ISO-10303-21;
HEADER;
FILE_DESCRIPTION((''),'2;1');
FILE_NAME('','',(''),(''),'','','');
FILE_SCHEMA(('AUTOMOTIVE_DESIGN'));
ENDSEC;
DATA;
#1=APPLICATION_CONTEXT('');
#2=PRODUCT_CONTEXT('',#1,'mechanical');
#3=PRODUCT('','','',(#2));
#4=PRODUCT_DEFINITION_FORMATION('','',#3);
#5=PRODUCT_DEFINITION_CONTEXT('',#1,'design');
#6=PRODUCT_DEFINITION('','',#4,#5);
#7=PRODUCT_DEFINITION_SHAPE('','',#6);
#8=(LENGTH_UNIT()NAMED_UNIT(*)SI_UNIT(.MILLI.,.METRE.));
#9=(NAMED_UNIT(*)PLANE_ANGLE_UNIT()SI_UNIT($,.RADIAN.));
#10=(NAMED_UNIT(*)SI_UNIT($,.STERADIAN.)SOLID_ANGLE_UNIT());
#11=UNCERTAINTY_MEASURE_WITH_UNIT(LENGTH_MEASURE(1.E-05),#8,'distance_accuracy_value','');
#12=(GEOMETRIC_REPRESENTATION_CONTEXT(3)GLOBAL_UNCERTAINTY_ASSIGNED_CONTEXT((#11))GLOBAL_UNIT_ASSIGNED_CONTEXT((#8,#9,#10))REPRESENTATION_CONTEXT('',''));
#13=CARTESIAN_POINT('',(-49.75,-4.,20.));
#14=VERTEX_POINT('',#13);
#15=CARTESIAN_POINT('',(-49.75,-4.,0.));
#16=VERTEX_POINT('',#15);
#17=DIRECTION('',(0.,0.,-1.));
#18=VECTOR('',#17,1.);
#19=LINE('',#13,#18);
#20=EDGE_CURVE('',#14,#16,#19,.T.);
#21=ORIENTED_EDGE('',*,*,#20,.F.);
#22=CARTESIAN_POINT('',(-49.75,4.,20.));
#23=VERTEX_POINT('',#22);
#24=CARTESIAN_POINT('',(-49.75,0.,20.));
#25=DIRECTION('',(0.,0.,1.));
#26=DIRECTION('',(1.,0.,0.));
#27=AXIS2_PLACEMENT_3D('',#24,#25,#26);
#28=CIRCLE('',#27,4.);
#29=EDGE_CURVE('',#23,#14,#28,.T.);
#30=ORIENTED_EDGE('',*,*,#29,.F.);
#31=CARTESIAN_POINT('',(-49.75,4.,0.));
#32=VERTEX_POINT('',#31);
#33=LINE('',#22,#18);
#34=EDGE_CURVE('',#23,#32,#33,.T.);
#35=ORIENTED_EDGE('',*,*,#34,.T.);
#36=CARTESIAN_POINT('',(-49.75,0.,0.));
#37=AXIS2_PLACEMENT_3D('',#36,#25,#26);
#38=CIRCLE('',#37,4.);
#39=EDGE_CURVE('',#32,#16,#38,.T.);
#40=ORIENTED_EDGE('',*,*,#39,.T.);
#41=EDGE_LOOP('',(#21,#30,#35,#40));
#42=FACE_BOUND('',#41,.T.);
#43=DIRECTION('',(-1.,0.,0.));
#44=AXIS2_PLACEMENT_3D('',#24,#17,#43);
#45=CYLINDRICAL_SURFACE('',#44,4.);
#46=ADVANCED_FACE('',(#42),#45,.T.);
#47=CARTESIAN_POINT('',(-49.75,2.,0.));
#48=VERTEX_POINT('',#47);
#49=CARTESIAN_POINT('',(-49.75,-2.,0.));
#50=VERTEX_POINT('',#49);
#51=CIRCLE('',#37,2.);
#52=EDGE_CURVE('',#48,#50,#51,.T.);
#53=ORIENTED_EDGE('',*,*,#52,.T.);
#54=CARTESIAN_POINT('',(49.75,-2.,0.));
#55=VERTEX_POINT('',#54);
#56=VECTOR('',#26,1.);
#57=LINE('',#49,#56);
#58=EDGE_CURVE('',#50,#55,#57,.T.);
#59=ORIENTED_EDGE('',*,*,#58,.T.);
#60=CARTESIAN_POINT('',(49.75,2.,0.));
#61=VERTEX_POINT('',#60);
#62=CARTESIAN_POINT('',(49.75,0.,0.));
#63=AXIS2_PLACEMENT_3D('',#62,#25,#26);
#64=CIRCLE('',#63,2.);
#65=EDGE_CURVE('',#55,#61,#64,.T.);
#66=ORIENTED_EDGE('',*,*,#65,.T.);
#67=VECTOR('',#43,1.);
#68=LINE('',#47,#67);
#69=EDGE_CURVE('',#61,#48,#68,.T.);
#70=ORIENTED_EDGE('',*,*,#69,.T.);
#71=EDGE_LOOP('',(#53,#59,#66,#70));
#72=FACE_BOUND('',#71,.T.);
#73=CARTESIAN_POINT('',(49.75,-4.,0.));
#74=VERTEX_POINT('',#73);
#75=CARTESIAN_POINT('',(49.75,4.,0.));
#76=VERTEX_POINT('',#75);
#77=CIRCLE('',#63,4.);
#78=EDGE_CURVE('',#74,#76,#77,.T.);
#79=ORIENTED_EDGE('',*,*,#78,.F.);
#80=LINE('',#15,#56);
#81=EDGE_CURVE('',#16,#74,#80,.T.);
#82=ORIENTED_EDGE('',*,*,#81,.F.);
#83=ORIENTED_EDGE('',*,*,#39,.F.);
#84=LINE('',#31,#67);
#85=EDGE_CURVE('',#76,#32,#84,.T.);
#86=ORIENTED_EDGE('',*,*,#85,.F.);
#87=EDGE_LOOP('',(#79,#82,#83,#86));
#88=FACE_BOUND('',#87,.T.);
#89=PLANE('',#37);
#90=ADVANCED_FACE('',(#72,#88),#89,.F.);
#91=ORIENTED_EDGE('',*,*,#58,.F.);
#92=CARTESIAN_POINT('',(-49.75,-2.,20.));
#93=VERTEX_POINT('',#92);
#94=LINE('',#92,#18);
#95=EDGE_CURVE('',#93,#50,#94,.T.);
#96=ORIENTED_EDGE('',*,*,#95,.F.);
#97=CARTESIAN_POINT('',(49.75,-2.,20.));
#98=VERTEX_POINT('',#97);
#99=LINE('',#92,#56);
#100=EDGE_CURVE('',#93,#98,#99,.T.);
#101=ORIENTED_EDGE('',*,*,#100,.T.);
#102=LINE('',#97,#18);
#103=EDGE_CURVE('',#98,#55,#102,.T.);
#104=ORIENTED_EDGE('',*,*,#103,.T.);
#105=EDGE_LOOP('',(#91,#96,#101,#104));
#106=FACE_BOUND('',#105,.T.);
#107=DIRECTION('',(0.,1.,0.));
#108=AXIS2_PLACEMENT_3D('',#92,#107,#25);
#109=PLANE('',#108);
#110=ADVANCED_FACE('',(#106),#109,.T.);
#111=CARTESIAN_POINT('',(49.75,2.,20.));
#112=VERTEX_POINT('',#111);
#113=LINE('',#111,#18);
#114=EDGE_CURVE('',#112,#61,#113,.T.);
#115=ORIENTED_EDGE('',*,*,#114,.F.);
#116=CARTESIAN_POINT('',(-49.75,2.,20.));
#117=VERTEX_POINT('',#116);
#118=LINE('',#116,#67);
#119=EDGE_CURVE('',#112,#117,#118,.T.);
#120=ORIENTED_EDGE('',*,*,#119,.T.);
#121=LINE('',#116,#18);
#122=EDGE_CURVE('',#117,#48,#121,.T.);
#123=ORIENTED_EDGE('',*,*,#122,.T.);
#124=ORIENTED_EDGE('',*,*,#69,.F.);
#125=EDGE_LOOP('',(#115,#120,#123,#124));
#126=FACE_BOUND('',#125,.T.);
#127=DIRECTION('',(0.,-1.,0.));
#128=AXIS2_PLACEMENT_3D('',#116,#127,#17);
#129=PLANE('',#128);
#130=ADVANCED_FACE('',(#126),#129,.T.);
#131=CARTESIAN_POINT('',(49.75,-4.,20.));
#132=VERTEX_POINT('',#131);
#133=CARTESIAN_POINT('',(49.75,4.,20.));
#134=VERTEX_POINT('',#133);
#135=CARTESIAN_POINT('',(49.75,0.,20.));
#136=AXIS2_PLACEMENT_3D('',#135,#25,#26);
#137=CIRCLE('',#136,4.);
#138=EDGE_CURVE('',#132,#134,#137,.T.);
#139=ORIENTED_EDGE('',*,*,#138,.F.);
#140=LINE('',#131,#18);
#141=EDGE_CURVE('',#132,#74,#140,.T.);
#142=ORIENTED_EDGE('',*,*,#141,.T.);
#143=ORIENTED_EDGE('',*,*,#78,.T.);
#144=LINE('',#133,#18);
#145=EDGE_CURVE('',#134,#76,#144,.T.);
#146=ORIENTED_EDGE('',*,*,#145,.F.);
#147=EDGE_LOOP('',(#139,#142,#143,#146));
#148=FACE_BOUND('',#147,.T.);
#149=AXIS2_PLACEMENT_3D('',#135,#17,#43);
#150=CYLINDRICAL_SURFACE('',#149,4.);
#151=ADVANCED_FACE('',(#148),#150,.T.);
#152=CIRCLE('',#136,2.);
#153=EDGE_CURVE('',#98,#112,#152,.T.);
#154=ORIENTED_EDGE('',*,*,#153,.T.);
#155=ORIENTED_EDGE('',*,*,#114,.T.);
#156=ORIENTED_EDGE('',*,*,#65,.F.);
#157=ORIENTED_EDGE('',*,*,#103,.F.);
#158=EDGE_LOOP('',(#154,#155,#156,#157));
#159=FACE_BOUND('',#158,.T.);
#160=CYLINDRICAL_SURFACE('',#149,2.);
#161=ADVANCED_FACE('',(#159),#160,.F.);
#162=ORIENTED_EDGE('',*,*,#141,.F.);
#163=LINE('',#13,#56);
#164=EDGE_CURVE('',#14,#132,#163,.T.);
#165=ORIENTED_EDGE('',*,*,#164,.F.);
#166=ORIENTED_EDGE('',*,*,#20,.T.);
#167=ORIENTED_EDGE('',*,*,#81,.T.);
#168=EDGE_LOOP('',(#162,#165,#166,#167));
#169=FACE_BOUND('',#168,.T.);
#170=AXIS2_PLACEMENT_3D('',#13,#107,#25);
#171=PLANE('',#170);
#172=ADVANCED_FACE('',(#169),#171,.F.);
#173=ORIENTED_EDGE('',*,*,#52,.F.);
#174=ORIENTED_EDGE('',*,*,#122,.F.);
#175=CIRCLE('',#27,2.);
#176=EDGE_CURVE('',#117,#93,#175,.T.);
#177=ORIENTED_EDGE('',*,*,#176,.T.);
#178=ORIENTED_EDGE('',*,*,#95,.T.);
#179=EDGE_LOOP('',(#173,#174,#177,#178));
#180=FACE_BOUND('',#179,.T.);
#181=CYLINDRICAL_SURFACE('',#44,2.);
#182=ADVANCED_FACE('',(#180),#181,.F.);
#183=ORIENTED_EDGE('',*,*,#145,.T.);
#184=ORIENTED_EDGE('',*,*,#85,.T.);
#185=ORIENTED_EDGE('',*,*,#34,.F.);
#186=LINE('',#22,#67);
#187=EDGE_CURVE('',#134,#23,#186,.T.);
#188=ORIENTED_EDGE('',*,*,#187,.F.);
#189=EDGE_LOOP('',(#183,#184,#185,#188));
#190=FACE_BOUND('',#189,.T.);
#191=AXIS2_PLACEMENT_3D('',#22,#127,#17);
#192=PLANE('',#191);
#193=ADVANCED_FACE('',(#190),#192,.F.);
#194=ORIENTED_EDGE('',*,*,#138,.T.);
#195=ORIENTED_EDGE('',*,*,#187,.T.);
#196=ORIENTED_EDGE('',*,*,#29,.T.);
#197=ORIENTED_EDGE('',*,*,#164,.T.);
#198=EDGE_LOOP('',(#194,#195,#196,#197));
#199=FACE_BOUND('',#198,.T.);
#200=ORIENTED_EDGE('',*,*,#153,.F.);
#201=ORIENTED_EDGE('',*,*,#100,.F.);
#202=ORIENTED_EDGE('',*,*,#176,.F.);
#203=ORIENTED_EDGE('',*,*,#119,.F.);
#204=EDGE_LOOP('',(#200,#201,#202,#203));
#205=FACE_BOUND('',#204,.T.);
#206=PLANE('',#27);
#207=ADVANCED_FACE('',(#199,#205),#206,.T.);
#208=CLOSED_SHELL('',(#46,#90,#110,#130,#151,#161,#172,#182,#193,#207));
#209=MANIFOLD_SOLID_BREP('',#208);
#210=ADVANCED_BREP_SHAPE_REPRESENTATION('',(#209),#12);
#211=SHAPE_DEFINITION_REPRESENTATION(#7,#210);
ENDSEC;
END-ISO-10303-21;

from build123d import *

# Parameters (mm, degrees)
ESTRUSIONE_ESTRUSIONE1_DEPTH = 20


with BuildPart() as part:
    # Schizzo1 → Estrusione-Estrusione1 (new body)
    with BuildSketch(Plane.XY):
        with BuildLine():
            Line((-49.75, 4), (49.75, 4))
            ThreePointArc((49.75, 4), (53.75, 0), (49.75, -4))
            Line((49.75, -4), (-49.75, -4))
            ThreePointArc((-49.75, -4), (-53.75, 0), (-49.75, 4))
        make_face()
        with BuildLine():
            Line((-49.75, 2), (49.75, 2))
            ThreePointArc((49.75, 2), (51.75, 0), (49.75, -2))
            Line((49.75, -2), (-49.75, -2))
            ThreePointArc((-49.75, -2), (-51.75, 0), (-49.75, 2))
        make_face(mode=Mode.SUBTRACT)
    extrude(amount=ESTRUSIONE_ESTRUSIONE1_DEPTH)


solid = part.part
